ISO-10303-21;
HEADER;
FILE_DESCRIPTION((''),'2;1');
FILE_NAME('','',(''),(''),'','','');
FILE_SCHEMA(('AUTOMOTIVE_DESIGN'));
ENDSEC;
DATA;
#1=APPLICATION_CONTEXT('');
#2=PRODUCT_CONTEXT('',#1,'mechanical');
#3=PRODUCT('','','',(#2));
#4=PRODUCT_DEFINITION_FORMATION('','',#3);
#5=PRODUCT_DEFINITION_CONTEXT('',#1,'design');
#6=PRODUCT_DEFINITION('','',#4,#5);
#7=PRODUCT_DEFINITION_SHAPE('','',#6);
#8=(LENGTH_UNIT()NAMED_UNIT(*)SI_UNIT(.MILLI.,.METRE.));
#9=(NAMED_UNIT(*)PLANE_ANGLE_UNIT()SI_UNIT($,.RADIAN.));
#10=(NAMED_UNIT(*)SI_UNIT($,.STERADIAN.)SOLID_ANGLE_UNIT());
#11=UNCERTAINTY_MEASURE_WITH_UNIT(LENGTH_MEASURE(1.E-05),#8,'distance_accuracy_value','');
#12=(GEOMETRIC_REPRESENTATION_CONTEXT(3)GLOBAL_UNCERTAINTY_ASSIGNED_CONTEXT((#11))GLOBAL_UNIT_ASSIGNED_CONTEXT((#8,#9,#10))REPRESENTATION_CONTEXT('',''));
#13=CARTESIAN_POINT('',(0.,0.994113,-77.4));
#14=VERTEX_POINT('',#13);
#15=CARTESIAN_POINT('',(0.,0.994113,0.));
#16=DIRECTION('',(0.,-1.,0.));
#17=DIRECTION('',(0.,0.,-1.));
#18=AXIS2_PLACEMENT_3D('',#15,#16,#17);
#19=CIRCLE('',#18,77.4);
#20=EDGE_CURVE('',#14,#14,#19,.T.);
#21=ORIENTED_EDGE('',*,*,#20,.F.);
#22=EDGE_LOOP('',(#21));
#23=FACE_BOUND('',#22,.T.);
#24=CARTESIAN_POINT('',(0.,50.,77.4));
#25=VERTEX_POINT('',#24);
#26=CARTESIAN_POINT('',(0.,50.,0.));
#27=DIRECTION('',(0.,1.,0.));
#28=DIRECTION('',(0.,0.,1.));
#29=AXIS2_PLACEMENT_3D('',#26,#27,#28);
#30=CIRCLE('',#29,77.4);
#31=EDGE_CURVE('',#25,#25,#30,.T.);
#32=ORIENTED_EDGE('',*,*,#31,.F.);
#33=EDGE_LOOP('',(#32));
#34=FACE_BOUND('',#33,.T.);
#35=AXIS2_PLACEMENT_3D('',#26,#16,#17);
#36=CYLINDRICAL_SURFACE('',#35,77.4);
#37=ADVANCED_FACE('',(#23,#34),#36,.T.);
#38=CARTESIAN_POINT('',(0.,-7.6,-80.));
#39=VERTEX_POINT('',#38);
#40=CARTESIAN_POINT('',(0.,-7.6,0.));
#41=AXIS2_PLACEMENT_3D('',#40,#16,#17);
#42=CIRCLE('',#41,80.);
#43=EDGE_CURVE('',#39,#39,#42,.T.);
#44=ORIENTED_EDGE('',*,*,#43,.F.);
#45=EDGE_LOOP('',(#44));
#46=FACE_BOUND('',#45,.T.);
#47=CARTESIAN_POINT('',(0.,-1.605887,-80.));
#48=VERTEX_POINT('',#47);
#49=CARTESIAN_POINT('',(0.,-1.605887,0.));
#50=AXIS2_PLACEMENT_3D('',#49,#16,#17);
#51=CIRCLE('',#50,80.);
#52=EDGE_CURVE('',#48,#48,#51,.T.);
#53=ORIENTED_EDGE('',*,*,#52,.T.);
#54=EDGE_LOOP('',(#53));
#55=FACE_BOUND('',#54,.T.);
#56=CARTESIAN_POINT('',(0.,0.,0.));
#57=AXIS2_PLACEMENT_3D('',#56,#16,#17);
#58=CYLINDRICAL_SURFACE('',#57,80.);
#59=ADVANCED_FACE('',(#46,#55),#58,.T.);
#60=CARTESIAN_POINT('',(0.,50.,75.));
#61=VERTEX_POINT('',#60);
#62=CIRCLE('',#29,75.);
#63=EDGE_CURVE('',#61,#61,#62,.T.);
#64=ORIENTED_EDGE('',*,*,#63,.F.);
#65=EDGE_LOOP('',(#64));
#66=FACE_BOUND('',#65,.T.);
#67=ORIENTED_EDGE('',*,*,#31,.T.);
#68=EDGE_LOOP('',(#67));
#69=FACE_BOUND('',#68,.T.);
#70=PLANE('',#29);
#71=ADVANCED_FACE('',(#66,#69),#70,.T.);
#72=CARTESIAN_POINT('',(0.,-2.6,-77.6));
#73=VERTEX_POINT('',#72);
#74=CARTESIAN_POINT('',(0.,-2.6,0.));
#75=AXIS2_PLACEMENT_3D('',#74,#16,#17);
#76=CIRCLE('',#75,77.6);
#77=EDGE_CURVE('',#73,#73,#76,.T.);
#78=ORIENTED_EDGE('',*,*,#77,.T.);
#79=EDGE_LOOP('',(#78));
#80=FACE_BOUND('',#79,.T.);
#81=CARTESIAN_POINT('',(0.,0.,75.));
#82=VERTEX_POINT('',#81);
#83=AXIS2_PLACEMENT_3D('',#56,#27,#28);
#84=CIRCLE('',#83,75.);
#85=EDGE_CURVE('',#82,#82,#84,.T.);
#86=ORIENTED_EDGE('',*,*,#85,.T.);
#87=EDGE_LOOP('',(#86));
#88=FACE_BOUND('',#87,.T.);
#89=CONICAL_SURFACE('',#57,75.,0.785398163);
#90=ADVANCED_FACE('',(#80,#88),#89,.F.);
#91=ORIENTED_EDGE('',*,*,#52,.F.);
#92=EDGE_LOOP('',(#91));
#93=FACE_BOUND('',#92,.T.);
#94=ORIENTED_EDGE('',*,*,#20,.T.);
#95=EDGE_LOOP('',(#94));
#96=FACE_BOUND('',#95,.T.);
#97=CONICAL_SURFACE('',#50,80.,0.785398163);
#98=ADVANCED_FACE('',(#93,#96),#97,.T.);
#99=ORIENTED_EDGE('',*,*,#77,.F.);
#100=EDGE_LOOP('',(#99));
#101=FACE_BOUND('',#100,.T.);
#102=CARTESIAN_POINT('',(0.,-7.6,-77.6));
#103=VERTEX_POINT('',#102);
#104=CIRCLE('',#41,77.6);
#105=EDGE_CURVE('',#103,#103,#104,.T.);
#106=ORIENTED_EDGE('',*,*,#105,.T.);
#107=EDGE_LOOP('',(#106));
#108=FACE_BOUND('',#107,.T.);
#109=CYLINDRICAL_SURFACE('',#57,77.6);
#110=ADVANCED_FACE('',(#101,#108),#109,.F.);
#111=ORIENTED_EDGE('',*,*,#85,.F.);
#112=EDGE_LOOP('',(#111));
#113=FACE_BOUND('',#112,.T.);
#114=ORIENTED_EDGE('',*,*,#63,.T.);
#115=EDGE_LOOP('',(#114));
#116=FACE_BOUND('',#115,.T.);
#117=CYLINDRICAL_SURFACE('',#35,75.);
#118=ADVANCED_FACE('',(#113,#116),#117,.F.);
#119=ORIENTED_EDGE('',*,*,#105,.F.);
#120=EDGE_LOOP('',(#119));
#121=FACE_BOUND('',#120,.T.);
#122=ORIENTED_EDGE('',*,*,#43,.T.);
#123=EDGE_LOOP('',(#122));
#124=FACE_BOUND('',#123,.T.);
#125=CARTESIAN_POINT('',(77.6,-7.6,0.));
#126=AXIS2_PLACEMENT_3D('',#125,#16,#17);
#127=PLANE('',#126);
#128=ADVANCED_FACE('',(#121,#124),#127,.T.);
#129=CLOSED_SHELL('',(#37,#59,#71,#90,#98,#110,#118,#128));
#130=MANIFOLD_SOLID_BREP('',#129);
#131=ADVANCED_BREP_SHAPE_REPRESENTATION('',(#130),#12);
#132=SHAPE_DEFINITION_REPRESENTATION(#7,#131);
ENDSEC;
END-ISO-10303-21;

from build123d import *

# Parameters (mm, degrees)
SKETCH1_R           = 77.4
SKETCH1_R_2         = 75
BOSS_EXTRUDE1_DEPTH = 50


with BuildPart() as part:
    # Sketch1 → Boss-Extrude1 (new body)
    with BuildSketch(Plane(origin=(0, 0, 0), x_dir=(1, 0, 0), z_dir=(0, 1, 0))):
        with Locations(Location((0, 0, 0), (0, 0, 270))):
            Circle(SKETCH1_R)
        with Locations(Location((0, 0, 0), (0, 0, 270))):
            Circle(SKETCH1_R_2, mode=Mode.SUBTRACT)
    extrude(amount=BOSS_EXTRUDE1_DEPTH)

    # Sketch4 → Revolve1 (revolve)
    with BuildSketch(Plane.XY, mode=Mode.PRIVATE) as revolve1_sk:
        Polygon((75, 0), (77.6, -2.6), (77.6, -7.6), (80, -7.6), (80, -1.60588745), (77.4, 0.99411255), (77.4, 0), align=None)
    revolve(revolve1_sk.sketch.rotate(Axis((0, 0, 0), (0, 1, 0)), 90), axis=Axis((0, 0, 0), (0, 1, 0)))


solid = part.part
